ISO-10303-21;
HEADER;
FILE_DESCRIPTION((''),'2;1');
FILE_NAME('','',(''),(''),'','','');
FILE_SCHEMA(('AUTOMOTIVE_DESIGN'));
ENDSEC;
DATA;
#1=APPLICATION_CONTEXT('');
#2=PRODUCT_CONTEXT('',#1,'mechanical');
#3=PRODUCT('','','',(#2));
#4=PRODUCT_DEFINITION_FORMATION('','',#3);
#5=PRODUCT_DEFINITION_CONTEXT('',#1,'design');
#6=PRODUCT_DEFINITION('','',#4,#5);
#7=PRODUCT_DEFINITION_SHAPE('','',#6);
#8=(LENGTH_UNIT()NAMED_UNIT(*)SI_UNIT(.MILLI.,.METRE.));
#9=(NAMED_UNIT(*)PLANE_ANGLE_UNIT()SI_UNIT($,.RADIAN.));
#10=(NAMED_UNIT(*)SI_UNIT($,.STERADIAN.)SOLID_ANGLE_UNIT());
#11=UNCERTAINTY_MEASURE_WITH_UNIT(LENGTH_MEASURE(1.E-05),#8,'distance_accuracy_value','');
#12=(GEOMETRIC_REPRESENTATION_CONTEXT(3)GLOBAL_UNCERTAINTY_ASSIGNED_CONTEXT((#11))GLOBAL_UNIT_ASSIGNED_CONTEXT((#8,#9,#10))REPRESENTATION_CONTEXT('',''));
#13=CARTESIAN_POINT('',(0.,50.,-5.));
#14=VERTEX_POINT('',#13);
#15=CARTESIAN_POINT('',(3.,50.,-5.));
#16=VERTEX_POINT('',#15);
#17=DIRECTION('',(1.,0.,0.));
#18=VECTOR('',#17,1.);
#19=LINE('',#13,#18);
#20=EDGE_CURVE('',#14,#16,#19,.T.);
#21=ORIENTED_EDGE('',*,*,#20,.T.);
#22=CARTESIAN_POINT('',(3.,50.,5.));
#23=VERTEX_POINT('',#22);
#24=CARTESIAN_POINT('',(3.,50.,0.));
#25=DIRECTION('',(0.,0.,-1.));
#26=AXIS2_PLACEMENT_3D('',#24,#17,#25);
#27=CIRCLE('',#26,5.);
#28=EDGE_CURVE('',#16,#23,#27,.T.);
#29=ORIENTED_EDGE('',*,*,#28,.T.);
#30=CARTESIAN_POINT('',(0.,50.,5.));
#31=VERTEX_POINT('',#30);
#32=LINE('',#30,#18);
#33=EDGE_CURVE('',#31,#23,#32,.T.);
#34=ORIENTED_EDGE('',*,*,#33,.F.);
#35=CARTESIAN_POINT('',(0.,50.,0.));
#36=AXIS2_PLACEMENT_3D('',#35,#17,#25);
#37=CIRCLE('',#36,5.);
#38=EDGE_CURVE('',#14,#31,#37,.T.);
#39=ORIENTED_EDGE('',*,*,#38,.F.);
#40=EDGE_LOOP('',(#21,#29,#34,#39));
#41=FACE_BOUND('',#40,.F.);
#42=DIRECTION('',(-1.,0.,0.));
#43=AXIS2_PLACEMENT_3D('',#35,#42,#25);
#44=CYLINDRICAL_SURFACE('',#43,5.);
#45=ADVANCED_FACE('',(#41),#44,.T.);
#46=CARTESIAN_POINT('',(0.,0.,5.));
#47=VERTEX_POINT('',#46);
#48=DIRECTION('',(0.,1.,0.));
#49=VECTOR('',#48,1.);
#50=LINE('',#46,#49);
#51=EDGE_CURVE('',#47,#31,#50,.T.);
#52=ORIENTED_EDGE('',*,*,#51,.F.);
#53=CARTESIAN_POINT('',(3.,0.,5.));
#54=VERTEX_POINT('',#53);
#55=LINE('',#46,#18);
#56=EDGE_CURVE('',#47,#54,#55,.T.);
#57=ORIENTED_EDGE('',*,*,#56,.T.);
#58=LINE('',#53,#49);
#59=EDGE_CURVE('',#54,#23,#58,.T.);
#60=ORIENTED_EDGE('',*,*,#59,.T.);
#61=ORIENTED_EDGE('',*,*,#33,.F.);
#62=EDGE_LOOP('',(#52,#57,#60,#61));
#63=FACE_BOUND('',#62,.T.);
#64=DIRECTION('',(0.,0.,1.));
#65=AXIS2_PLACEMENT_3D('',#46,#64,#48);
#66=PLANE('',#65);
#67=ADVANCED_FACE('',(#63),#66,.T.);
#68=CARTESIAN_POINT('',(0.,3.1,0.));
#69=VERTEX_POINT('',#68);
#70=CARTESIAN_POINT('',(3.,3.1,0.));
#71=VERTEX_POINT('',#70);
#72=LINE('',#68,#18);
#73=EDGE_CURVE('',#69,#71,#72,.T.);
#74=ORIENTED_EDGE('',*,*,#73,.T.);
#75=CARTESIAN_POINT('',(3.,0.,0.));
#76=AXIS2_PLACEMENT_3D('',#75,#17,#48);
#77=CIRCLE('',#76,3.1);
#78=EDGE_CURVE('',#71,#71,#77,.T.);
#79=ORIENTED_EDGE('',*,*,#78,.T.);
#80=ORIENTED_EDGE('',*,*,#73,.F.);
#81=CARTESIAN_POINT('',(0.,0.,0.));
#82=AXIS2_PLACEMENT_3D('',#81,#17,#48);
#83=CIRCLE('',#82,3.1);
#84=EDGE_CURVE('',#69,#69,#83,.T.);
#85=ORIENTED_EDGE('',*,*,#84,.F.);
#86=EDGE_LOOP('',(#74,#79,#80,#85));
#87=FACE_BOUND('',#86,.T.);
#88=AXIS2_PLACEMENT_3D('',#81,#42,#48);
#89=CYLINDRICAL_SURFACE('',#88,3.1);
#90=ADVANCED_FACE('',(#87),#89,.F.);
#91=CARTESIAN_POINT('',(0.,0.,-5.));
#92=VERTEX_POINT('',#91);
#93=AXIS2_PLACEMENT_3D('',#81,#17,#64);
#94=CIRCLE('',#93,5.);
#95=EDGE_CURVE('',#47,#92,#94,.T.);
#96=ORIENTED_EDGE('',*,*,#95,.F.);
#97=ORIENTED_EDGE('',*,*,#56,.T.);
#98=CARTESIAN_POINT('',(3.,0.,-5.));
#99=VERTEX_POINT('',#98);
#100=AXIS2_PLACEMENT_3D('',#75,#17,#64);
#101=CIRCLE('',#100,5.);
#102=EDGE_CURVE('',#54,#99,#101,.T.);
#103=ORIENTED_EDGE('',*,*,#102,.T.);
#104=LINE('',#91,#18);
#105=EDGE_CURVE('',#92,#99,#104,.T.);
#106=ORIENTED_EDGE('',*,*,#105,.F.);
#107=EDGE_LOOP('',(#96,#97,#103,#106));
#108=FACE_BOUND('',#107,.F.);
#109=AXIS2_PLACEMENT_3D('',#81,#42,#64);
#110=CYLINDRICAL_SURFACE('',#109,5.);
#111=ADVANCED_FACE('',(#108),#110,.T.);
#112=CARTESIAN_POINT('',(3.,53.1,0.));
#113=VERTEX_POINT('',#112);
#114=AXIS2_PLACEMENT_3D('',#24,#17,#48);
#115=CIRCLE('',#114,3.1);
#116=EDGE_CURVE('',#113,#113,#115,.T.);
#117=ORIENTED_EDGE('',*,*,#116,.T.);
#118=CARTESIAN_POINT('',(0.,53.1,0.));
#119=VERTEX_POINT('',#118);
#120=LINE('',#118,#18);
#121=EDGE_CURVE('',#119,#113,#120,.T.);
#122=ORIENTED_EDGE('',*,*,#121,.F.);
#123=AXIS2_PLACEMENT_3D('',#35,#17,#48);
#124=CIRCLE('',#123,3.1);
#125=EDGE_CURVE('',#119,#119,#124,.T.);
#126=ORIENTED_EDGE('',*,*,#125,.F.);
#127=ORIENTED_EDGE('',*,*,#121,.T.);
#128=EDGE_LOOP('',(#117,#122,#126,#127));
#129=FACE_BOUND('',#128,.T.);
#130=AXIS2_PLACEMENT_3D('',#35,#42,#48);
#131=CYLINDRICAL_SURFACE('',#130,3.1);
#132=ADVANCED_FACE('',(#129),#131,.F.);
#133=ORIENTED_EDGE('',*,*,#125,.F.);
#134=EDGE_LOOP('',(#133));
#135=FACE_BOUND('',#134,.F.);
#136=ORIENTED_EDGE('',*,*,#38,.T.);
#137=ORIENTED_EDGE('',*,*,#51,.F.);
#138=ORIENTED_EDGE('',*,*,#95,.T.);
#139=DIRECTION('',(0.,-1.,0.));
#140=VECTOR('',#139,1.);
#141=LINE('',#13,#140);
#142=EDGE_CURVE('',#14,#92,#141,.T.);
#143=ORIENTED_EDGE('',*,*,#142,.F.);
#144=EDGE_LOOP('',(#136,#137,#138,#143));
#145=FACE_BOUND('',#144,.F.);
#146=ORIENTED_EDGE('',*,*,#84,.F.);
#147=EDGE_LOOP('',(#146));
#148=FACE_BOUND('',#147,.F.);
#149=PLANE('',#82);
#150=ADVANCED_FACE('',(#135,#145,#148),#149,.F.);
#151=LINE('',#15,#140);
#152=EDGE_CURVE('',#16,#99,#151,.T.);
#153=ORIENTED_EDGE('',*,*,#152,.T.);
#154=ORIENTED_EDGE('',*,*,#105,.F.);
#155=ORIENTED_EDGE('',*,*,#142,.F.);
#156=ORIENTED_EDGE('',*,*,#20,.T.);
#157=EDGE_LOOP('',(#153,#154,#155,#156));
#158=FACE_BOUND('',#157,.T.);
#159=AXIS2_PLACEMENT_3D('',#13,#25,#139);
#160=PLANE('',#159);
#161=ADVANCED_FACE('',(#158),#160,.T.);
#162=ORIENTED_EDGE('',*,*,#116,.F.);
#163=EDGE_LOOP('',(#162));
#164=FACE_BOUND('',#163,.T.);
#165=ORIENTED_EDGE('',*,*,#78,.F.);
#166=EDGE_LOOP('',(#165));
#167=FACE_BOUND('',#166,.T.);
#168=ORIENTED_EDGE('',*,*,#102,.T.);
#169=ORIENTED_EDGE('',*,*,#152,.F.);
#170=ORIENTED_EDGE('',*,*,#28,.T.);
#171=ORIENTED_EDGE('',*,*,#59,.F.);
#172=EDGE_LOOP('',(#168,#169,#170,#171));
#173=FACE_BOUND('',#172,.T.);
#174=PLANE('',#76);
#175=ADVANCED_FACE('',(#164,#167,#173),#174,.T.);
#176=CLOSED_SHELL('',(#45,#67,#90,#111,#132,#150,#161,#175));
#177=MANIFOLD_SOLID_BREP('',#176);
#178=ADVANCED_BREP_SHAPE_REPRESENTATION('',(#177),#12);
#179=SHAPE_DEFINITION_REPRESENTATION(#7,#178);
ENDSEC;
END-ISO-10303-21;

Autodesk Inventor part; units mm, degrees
ref_plane "YZ Plane" through (0, 0, 0) normal (1, 0, 0) x (0, 1, 0)
ref_plane "XZ Plane" through (0, 0, 0) normal (0, 1, 0) x (-1, 0, 0)
ref_plane "XY Plane" through (0, 0, 0) normal (0, 0, 1) x (1, 0, 0)
sketch "Sketch1" plane through (0, 0, 0) normal (1, 0, 0) x (0, 1, 0)
  circle A0 centre (0, 0) radius 3.1
  arc A1 (0, 5) -> (0, -5) centre (0, 0) ccw
  line L0 (0, 5) -> (50, 5)
  line L1 (50, -5) -> (0, -5)
  arc A2 (50, -5) -> (50, 5) centre (50, 0) ccw
  circle A3 centre (50, 0) radius 3.1
  dimension "d0" = 6.2
  dimension "d1" = 10
  dimension "d3" = 50
  dimension "d5" = 6.2
  dimension "d26" = 5
extrude "Extrusion1" add sketch "Sketch1" along normal blind 3
ref_plane "Work Plane1" through (-2, 0, 0) normal (1, 0, 0) x (0, 0, -1)
equation "\"d5\" = d0"
equation "\"d26\" = 0.5 * d1"
properties part number "ArmSpan_015"
